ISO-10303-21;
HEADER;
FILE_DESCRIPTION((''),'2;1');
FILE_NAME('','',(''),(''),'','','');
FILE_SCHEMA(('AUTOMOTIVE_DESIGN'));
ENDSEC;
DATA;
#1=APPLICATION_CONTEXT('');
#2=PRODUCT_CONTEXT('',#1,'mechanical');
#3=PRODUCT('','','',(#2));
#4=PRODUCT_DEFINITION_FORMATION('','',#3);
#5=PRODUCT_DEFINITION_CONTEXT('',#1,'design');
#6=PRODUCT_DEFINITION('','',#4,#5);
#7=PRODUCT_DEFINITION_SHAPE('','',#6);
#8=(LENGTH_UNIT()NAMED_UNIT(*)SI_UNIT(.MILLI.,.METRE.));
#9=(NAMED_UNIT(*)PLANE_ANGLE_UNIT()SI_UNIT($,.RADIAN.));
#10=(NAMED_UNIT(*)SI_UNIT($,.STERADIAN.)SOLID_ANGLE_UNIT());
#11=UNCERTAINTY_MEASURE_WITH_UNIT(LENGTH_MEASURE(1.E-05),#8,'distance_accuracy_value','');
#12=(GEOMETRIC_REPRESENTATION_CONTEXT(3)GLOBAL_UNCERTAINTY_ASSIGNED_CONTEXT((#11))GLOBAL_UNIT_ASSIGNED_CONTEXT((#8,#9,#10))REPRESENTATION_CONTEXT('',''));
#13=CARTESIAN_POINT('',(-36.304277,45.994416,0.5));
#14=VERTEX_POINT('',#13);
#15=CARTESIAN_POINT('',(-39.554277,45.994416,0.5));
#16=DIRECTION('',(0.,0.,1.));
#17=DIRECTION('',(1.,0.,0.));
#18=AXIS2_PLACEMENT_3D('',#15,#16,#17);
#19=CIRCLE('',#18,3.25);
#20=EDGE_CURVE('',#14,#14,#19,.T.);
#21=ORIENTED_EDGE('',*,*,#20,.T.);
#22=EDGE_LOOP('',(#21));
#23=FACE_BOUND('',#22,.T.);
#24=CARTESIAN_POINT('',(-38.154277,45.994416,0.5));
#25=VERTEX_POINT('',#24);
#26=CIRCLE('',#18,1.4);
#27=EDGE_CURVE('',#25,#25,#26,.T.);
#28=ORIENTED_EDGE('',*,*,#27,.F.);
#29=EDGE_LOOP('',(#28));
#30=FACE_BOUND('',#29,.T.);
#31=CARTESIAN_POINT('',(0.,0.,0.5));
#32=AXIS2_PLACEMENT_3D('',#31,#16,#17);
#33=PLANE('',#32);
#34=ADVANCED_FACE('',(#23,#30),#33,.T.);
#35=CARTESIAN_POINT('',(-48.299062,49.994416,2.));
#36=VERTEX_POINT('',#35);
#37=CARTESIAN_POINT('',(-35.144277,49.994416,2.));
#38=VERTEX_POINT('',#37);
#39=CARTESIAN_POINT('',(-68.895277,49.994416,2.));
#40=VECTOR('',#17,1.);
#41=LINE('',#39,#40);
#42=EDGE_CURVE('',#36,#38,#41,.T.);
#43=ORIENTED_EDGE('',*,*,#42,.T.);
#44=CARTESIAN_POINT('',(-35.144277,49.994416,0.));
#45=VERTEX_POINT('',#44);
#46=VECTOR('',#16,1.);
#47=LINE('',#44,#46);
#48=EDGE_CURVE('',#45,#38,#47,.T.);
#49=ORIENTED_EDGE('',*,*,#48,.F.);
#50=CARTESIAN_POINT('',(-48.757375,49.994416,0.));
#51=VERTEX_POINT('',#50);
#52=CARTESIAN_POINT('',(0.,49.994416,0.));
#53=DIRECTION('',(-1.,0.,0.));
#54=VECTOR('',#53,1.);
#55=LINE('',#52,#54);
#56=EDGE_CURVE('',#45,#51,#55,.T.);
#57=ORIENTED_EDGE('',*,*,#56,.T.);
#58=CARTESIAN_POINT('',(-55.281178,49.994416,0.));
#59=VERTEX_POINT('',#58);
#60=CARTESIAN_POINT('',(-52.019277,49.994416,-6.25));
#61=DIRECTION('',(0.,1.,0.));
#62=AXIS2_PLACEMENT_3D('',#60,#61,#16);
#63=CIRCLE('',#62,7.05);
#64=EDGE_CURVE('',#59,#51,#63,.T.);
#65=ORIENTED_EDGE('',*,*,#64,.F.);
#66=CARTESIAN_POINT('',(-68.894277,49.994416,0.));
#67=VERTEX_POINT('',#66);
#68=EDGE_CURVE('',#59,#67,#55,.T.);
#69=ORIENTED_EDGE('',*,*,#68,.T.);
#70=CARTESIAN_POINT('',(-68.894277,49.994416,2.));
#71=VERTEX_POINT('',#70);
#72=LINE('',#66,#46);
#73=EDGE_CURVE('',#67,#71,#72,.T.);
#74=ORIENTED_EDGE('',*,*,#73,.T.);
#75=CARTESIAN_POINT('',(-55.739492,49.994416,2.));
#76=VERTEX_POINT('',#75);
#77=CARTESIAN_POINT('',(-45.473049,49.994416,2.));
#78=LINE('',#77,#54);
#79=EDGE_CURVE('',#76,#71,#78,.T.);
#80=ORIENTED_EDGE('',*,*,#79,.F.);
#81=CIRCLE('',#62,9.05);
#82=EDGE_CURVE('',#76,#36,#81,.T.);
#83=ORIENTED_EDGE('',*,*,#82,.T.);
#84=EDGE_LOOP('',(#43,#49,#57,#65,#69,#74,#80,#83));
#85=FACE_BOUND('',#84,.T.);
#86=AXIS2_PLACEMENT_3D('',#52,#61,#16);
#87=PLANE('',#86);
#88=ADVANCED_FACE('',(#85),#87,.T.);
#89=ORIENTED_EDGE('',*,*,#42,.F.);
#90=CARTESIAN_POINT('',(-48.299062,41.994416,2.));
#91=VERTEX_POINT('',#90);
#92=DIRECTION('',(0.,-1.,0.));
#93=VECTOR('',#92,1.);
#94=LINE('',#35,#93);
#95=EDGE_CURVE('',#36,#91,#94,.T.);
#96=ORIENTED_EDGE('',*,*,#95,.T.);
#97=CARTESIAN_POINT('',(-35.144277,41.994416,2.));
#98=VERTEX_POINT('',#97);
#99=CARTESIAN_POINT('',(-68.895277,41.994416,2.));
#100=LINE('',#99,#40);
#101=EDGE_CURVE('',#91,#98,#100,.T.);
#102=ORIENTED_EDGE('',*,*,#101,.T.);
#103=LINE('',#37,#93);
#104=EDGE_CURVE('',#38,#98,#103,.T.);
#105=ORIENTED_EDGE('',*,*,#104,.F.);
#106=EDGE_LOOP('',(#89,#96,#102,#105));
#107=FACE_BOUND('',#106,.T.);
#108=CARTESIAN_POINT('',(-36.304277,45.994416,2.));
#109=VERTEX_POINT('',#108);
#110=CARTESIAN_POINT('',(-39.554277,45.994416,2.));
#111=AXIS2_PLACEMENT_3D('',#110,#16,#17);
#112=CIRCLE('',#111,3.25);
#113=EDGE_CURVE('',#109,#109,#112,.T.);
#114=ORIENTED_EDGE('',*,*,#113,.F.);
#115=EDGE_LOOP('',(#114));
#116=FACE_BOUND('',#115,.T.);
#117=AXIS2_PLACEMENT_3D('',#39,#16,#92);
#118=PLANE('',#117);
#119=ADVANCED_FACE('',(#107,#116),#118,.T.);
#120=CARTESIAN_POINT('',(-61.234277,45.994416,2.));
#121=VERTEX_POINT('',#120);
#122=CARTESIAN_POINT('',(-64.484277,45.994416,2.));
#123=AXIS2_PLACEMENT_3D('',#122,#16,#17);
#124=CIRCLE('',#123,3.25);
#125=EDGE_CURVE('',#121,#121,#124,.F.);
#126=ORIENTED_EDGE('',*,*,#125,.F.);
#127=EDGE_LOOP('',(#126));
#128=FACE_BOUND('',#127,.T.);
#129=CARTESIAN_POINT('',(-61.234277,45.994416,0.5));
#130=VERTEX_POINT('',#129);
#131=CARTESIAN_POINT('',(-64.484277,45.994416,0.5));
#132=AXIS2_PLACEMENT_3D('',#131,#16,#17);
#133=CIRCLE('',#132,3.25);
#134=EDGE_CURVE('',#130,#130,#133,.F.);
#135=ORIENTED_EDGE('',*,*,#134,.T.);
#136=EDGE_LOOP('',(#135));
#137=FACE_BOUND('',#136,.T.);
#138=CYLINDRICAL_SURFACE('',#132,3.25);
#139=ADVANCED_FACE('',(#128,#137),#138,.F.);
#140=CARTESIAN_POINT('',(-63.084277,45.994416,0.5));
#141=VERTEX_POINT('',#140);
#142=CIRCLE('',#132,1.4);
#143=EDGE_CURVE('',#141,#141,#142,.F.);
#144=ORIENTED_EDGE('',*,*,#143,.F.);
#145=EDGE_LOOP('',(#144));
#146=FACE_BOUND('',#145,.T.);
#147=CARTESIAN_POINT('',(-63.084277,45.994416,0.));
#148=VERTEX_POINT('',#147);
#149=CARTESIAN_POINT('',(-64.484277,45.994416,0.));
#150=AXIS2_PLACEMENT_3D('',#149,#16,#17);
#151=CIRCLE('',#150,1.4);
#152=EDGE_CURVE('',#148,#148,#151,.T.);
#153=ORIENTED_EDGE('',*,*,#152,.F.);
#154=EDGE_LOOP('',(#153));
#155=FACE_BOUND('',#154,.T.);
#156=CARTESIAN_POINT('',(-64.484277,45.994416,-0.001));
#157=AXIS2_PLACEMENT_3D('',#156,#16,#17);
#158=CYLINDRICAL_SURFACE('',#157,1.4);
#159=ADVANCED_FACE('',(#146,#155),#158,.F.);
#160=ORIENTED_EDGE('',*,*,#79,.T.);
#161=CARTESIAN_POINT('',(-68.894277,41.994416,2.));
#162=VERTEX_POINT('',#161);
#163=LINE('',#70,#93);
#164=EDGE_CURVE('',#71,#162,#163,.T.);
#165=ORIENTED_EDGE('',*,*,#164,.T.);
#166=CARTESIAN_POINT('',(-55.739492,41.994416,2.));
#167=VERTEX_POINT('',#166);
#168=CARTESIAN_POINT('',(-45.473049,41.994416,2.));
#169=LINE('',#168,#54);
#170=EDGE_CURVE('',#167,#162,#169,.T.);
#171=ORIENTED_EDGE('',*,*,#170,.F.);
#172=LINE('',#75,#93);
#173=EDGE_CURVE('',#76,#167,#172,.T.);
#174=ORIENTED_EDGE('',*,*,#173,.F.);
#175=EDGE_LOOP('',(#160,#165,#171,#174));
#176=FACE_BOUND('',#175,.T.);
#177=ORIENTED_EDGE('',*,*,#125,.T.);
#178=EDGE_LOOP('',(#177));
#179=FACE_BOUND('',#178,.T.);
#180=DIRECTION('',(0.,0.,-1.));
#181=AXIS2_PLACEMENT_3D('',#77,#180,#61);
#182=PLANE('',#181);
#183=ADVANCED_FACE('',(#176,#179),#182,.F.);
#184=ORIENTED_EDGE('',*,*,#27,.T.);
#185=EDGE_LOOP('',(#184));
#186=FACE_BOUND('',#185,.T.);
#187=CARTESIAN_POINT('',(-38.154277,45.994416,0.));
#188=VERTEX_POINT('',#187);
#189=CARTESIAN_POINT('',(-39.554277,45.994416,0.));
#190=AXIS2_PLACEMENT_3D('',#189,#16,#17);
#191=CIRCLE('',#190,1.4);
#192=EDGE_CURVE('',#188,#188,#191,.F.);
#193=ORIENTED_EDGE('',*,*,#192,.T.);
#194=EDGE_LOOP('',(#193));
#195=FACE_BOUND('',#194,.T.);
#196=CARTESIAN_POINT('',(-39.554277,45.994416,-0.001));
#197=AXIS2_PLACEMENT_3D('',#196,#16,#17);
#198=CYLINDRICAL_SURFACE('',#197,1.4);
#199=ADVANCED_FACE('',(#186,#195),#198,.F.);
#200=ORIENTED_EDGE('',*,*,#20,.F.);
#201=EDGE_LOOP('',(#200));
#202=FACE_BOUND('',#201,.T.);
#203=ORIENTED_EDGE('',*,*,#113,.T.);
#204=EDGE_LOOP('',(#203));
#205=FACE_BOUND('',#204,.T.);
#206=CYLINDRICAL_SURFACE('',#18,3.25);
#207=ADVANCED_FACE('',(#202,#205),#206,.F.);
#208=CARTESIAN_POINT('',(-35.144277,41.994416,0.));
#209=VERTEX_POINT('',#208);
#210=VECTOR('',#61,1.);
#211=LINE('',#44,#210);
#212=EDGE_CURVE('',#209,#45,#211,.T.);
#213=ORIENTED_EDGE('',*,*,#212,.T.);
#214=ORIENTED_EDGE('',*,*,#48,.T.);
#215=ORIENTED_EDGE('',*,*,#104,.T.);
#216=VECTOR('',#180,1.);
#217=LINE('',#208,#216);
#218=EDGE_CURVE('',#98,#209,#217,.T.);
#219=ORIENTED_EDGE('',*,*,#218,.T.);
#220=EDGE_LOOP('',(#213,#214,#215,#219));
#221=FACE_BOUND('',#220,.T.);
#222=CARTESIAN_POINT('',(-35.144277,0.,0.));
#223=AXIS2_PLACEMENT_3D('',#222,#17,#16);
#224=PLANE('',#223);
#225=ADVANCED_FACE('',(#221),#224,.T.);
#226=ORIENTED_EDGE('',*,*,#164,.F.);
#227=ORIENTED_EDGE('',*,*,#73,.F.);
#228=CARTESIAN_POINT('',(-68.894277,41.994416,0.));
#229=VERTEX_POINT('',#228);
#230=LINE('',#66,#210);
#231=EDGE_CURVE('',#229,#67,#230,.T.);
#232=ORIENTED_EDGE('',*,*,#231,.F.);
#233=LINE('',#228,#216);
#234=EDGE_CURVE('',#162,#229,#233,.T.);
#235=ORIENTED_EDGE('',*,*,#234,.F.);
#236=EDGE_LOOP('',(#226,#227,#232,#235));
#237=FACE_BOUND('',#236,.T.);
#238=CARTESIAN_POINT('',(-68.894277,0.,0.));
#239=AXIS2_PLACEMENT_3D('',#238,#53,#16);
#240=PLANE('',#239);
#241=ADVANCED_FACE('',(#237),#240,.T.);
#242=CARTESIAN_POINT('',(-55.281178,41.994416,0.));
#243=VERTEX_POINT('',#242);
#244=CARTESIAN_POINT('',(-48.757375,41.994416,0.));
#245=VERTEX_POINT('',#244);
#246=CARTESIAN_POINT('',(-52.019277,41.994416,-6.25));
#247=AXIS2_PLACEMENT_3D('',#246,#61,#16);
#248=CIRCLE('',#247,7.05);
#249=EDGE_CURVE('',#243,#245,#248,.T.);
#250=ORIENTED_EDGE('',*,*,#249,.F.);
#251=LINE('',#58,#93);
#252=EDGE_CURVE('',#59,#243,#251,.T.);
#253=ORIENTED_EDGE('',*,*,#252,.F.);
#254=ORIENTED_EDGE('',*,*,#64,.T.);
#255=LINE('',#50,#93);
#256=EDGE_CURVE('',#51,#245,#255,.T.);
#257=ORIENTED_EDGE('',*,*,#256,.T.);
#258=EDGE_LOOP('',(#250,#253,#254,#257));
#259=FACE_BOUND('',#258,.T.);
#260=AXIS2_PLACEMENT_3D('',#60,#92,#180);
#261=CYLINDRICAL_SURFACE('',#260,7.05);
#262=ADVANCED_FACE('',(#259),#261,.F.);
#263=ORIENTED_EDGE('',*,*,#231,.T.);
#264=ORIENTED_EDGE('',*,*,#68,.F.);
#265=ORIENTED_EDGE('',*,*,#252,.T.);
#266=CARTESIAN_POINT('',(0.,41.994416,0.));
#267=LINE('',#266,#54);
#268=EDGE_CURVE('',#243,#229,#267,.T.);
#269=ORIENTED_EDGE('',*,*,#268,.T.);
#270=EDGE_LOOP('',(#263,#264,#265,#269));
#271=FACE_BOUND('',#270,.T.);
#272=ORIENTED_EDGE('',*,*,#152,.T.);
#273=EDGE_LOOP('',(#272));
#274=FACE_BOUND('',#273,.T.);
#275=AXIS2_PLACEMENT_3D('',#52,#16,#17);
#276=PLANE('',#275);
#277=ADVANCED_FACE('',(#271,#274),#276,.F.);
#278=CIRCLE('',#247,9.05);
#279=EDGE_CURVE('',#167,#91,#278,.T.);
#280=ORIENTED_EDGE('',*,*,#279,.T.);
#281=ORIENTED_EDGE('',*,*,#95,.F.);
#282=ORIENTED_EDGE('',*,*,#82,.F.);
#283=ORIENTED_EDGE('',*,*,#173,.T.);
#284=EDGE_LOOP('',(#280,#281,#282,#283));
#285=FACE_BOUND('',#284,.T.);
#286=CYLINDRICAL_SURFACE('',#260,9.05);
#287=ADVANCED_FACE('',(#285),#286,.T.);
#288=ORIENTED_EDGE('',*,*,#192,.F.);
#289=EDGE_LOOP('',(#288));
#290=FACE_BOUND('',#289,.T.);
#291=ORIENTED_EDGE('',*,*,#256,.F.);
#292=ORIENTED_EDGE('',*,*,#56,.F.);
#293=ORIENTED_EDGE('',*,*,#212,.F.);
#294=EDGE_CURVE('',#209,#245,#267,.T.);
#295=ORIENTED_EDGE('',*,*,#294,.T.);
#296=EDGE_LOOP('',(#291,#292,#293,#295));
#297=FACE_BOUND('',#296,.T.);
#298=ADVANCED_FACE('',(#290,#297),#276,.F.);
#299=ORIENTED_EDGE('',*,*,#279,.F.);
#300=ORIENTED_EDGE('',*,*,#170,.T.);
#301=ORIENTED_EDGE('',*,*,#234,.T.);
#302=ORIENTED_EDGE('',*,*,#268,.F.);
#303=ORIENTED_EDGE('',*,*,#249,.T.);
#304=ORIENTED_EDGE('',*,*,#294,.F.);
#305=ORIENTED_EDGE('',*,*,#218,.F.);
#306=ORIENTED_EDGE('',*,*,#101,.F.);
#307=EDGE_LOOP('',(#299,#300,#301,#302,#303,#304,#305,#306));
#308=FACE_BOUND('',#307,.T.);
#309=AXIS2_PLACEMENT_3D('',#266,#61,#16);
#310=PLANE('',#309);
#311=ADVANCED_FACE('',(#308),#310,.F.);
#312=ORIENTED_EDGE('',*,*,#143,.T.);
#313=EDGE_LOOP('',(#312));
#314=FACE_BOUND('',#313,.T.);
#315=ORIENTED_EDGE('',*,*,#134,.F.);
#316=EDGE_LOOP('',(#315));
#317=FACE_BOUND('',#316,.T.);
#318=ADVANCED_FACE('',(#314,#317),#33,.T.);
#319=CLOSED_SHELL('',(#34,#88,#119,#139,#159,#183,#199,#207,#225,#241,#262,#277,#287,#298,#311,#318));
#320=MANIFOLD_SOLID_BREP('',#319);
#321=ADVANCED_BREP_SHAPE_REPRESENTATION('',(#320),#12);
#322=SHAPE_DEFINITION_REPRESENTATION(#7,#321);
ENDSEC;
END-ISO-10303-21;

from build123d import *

# Parameters (mm, degrees)
SALIENTE_EXTRUIR3_DEPTH = 4
CROQUIS4_W              = 2
CROQUIS4_H              = 8
SALIENTE_EXTRUIR5_DEPTH = 13.154785
CROQUIS5_R              = 3.25
CORTAR_EXTRUIR1_DEPTH   = 1.5
CORTAR_EXTRUIR2_REACH   = 2.5
CROQUIS6_R              = 1.4


with BuildPart() as part:
    # Croquis3 → Saliente-Extruir3 (new body, symmetric)
    with BuildSketch(Plane(origin=(0, 45.994416346, 0), x_dir=(1, 0, 0), z_dir=(0, 1, 0))):
        with BuildLine():
            ThreePointArc((-58.564503824, 0), (-52.019276555, -2.8), (-45.474049286, 0))
            Line((-45.474049286, 0), (-48.757375269, 0))
            ThreePointArc((-48.757375269, 0), (-52.019276555, -0.8), (-55.281177841, 0))
            Line((-55.281177841, 0), (-58.564503824, 0))
        make_face()
    extrude(amount=SALIENTE_EXTRUIR3_DEPTH, both=True)

    # Croquis4 → Saliente-Extruir5 (add)
    with BuildSketch(Plane(origin=(-68.894276555, 0, 0), x_dir=(0, 0, -1), z_dir=(1, 0, 0))):
        with Locations((-1, 45.994416346)):
            Rectangle(CROQUIS4_W, CROQUIS4_H)
    saliente_extruir5 = extrude(amount=SALIENTE_EXTRUIR5_DEPTH)

    # Simetría1: Saliente-Extruir5 across plane
    add(saliente_extruir5.mirror(Plane(origin=(-52.019276555, 0, 0), x_dir=(0, 0, 1), z_dir=(1, 0, 0))))

    # Croquis5 → Cortar-Extruir1 (cut)
    with BuildSketch(Plane.XY.offset(2)):
        with Locations((-39.554276555, 45.994416346)):
            Circle(CROQUIS5_R)
        with Locations((-64.484276555, 45.994416346)):
            Circle(CROQUIS5_R)
    extrude(amount=-CORTAR_EXTRUIR1_DEPTH, mode=Mode.SUBTRACT)

    # Croquis6 → Cortar-Extruir2 (cut, up to next)
    with BuildSketch(Plane.XY.offset(0.5), mode=Mode.PRIVATE) as cortar_extruir2_sk1:
        with Locations((-39.554276555, 45.994416346)):
            Circle(CROQUIS6_R)
    cortar_extruir2_tool1 = extrude(cortar_extruir2_sk1.sketch, amount=-CORTAR_EXTRUIR2_REACH, mode=Mode.PRIVATE) & part.part
    add(cortar_extruir2_tool1.solids().sort_by_distance((-39.554277, 45.994416, 0.5))[0], mode=Mode.SUBTRACT)
    # Croquis6 → Cortar-Extruir2 (cut, up to next)
    with BuildSketch(Plane.XY.offset(0.5), mode=Mode.PRIVATE) as cortar_extruir2_sk2:
        with Locations((-64.484276555, 45.994416346)):
            Circle(CROQUIS6_R)
    cortar_extruir2_tool2 = extrude(cortar_extruir2_sk2.sketch, amount=-CORTAR_EXTRUIR2_REACH, mode=Mode.PRIVATE) & part.part
    add(cortar_extruir2_tool2.solids().sort_by_distance((-64.484277, 45.994416, 0.5))[0], mode=Mode.SUBTRACT)


solid = part.part
